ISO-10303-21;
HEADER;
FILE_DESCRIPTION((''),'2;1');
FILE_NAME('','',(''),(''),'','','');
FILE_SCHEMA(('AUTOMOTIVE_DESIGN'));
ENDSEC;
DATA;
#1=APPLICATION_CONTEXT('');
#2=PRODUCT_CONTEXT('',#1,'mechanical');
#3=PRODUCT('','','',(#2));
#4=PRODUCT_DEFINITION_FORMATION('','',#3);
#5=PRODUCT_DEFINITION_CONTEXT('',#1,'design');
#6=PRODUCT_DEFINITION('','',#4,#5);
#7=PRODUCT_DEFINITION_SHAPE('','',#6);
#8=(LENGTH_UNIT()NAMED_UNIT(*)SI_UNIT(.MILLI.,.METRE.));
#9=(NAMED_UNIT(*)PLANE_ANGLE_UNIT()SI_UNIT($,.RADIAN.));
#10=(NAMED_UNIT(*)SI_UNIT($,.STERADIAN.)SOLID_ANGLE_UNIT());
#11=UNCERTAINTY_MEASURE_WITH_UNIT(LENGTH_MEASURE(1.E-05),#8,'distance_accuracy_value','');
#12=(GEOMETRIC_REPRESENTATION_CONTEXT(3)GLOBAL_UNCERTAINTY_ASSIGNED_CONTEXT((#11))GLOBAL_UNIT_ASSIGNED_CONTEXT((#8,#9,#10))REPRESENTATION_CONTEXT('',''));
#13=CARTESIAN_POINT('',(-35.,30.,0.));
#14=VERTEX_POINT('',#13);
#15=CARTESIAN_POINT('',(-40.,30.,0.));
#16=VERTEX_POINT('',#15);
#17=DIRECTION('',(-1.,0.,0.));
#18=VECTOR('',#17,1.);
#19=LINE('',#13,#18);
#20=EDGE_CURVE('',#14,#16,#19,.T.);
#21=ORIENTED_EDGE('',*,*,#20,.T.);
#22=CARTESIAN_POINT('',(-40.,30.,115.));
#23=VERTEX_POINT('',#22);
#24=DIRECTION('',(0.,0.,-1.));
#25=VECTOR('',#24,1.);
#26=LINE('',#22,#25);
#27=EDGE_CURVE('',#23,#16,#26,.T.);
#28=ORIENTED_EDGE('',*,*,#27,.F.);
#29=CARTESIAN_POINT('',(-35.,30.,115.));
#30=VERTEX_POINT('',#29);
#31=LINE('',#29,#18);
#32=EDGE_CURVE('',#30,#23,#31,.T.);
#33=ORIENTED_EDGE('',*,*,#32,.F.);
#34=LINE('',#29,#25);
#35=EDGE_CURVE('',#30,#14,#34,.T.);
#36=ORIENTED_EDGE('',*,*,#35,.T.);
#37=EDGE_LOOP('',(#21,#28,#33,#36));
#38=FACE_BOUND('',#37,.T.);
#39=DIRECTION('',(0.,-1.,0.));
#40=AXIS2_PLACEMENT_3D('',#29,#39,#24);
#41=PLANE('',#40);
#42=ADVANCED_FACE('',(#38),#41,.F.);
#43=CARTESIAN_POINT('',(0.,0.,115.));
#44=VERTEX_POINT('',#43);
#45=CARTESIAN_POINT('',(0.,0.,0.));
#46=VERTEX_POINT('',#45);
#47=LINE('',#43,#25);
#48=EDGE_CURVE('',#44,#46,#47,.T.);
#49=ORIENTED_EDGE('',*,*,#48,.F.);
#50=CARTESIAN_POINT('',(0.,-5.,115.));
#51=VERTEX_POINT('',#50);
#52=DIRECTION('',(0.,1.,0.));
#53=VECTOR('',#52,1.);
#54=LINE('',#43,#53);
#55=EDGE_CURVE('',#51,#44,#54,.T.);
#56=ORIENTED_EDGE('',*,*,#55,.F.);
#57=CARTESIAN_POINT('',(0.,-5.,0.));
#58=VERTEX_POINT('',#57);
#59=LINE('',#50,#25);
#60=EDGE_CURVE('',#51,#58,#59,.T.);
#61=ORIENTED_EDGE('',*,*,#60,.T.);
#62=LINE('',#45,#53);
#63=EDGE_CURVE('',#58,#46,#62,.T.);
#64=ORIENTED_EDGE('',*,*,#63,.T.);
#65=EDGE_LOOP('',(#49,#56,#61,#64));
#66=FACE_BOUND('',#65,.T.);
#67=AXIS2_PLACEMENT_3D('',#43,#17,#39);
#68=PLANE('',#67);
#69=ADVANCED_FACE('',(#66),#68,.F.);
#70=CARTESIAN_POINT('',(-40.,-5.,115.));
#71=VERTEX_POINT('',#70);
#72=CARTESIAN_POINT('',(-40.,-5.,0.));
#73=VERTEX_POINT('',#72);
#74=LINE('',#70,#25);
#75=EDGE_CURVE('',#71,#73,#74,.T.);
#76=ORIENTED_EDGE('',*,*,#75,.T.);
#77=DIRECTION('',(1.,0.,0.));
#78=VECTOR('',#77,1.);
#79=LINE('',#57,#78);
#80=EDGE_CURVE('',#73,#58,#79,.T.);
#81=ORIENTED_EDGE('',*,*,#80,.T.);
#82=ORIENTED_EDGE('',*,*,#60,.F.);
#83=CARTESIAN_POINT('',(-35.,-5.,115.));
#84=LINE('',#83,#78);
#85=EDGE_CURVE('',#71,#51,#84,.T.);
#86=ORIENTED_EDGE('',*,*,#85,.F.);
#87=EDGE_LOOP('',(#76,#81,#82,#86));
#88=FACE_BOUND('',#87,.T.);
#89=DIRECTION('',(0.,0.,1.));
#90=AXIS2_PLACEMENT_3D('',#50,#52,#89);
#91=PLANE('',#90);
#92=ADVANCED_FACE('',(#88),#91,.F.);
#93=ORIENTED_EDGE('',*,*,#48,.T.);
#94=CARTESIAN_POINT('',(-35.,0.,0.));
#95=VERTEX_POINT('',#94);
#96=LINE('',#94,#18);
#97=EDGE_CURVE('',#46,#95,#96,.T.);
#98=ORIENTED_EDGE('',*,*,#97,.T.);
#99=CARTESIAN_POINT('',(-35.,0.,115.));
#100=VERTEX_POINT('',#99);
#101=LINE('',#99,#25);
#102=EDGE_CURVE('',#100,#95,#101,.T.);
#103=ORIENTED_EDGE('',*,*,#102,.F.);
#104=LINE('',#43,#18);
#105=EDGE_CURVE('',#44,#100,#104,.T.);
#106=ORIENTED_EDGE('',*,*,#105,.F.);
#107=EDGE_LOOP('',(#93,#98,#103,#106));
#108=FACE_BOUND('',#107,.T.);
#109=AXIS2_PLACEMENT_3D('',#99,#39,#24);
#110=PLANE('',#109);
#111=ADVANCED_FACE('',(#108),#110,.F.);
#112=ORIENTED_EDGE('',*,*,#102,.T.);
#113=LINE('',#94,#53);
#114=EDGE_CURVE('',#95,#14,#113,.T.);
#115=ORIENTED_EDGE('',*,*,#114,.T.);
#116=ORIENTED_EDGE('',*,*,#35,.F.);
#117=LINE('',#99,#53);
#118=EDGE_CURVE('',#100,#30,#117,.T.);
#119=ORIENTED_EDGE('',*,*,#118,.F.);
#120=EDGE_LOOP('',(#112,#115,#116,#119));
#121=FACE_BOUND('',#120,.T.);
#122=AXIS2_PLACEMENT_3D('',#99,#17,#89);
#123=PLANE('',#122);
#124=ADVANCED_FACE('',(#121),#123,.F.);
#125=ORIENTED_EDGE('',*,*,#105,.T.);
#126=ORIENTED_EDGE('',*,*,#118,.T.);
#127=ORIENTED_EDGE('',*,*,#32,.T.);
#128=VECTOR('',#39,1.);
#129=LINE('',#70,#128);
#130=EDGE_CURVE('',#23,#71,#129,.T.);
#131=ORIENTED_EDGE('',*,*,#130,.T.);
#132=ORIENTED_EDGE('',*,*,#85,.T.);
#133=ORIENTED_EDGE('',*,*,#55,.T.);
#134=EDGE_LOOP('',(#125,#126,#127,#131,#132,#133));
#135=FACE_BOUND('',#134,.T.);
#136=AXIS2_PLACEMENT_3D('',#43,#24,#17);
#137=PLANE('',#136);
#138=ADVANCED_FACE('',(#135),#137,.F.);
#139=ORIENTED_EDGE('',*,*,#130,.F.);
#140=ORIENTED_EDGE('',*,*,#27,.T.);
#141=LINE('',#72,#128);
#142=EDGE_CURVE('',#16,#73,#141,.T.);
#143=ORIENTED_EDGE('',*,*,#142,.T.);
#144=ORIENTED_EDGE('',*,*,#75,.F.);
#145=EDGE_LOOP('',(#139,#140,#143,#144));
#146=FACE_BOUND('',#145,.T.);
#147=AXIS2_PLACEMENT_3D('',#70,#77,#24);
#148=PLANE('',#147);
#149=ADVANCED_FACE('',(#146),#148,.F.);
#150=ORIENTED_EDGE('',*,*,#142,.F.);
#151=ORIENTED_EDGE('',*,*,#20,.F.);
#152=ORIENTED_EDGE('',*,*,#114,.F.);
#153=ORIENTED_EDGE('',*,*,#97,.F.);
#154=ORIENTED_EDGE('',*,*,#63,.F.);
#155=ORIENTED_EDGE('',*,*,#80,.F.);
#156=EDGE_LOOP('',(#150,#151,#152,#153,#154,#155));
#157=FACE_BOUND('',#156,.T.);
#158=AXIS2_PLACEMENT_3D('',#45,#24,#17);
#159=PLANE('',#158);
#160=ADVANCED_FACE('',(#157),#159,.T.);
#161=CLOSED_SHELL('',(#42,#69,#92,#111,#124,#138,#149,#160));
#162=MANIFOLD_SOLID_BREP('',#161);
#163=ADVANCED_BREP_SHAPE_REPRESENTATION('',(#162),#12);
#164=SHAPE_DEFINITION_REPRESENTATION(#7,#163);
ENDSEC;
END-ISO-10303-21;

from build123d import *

# Parameters (mm, degrees)
BOSS_EXTRU_1_DEPTH = 115


with BuildPart() as part:
    # Esquisse2 → Boss.-Extru.1 (new body)
    with BuildSketch(Plane(origin=(0, 0, 0), x_dir=(0, 1, 0), z_dir=(0, 0, 1))):
        Polygon((0, 35), (30, 35), (30, 40), (-5, 40), (-5, 35), (-5, 0), (0, 0), (0, 5), align=None)
    extrude(amount=BOSS_EXTRU_1_DEPTH)


solid = part.part
